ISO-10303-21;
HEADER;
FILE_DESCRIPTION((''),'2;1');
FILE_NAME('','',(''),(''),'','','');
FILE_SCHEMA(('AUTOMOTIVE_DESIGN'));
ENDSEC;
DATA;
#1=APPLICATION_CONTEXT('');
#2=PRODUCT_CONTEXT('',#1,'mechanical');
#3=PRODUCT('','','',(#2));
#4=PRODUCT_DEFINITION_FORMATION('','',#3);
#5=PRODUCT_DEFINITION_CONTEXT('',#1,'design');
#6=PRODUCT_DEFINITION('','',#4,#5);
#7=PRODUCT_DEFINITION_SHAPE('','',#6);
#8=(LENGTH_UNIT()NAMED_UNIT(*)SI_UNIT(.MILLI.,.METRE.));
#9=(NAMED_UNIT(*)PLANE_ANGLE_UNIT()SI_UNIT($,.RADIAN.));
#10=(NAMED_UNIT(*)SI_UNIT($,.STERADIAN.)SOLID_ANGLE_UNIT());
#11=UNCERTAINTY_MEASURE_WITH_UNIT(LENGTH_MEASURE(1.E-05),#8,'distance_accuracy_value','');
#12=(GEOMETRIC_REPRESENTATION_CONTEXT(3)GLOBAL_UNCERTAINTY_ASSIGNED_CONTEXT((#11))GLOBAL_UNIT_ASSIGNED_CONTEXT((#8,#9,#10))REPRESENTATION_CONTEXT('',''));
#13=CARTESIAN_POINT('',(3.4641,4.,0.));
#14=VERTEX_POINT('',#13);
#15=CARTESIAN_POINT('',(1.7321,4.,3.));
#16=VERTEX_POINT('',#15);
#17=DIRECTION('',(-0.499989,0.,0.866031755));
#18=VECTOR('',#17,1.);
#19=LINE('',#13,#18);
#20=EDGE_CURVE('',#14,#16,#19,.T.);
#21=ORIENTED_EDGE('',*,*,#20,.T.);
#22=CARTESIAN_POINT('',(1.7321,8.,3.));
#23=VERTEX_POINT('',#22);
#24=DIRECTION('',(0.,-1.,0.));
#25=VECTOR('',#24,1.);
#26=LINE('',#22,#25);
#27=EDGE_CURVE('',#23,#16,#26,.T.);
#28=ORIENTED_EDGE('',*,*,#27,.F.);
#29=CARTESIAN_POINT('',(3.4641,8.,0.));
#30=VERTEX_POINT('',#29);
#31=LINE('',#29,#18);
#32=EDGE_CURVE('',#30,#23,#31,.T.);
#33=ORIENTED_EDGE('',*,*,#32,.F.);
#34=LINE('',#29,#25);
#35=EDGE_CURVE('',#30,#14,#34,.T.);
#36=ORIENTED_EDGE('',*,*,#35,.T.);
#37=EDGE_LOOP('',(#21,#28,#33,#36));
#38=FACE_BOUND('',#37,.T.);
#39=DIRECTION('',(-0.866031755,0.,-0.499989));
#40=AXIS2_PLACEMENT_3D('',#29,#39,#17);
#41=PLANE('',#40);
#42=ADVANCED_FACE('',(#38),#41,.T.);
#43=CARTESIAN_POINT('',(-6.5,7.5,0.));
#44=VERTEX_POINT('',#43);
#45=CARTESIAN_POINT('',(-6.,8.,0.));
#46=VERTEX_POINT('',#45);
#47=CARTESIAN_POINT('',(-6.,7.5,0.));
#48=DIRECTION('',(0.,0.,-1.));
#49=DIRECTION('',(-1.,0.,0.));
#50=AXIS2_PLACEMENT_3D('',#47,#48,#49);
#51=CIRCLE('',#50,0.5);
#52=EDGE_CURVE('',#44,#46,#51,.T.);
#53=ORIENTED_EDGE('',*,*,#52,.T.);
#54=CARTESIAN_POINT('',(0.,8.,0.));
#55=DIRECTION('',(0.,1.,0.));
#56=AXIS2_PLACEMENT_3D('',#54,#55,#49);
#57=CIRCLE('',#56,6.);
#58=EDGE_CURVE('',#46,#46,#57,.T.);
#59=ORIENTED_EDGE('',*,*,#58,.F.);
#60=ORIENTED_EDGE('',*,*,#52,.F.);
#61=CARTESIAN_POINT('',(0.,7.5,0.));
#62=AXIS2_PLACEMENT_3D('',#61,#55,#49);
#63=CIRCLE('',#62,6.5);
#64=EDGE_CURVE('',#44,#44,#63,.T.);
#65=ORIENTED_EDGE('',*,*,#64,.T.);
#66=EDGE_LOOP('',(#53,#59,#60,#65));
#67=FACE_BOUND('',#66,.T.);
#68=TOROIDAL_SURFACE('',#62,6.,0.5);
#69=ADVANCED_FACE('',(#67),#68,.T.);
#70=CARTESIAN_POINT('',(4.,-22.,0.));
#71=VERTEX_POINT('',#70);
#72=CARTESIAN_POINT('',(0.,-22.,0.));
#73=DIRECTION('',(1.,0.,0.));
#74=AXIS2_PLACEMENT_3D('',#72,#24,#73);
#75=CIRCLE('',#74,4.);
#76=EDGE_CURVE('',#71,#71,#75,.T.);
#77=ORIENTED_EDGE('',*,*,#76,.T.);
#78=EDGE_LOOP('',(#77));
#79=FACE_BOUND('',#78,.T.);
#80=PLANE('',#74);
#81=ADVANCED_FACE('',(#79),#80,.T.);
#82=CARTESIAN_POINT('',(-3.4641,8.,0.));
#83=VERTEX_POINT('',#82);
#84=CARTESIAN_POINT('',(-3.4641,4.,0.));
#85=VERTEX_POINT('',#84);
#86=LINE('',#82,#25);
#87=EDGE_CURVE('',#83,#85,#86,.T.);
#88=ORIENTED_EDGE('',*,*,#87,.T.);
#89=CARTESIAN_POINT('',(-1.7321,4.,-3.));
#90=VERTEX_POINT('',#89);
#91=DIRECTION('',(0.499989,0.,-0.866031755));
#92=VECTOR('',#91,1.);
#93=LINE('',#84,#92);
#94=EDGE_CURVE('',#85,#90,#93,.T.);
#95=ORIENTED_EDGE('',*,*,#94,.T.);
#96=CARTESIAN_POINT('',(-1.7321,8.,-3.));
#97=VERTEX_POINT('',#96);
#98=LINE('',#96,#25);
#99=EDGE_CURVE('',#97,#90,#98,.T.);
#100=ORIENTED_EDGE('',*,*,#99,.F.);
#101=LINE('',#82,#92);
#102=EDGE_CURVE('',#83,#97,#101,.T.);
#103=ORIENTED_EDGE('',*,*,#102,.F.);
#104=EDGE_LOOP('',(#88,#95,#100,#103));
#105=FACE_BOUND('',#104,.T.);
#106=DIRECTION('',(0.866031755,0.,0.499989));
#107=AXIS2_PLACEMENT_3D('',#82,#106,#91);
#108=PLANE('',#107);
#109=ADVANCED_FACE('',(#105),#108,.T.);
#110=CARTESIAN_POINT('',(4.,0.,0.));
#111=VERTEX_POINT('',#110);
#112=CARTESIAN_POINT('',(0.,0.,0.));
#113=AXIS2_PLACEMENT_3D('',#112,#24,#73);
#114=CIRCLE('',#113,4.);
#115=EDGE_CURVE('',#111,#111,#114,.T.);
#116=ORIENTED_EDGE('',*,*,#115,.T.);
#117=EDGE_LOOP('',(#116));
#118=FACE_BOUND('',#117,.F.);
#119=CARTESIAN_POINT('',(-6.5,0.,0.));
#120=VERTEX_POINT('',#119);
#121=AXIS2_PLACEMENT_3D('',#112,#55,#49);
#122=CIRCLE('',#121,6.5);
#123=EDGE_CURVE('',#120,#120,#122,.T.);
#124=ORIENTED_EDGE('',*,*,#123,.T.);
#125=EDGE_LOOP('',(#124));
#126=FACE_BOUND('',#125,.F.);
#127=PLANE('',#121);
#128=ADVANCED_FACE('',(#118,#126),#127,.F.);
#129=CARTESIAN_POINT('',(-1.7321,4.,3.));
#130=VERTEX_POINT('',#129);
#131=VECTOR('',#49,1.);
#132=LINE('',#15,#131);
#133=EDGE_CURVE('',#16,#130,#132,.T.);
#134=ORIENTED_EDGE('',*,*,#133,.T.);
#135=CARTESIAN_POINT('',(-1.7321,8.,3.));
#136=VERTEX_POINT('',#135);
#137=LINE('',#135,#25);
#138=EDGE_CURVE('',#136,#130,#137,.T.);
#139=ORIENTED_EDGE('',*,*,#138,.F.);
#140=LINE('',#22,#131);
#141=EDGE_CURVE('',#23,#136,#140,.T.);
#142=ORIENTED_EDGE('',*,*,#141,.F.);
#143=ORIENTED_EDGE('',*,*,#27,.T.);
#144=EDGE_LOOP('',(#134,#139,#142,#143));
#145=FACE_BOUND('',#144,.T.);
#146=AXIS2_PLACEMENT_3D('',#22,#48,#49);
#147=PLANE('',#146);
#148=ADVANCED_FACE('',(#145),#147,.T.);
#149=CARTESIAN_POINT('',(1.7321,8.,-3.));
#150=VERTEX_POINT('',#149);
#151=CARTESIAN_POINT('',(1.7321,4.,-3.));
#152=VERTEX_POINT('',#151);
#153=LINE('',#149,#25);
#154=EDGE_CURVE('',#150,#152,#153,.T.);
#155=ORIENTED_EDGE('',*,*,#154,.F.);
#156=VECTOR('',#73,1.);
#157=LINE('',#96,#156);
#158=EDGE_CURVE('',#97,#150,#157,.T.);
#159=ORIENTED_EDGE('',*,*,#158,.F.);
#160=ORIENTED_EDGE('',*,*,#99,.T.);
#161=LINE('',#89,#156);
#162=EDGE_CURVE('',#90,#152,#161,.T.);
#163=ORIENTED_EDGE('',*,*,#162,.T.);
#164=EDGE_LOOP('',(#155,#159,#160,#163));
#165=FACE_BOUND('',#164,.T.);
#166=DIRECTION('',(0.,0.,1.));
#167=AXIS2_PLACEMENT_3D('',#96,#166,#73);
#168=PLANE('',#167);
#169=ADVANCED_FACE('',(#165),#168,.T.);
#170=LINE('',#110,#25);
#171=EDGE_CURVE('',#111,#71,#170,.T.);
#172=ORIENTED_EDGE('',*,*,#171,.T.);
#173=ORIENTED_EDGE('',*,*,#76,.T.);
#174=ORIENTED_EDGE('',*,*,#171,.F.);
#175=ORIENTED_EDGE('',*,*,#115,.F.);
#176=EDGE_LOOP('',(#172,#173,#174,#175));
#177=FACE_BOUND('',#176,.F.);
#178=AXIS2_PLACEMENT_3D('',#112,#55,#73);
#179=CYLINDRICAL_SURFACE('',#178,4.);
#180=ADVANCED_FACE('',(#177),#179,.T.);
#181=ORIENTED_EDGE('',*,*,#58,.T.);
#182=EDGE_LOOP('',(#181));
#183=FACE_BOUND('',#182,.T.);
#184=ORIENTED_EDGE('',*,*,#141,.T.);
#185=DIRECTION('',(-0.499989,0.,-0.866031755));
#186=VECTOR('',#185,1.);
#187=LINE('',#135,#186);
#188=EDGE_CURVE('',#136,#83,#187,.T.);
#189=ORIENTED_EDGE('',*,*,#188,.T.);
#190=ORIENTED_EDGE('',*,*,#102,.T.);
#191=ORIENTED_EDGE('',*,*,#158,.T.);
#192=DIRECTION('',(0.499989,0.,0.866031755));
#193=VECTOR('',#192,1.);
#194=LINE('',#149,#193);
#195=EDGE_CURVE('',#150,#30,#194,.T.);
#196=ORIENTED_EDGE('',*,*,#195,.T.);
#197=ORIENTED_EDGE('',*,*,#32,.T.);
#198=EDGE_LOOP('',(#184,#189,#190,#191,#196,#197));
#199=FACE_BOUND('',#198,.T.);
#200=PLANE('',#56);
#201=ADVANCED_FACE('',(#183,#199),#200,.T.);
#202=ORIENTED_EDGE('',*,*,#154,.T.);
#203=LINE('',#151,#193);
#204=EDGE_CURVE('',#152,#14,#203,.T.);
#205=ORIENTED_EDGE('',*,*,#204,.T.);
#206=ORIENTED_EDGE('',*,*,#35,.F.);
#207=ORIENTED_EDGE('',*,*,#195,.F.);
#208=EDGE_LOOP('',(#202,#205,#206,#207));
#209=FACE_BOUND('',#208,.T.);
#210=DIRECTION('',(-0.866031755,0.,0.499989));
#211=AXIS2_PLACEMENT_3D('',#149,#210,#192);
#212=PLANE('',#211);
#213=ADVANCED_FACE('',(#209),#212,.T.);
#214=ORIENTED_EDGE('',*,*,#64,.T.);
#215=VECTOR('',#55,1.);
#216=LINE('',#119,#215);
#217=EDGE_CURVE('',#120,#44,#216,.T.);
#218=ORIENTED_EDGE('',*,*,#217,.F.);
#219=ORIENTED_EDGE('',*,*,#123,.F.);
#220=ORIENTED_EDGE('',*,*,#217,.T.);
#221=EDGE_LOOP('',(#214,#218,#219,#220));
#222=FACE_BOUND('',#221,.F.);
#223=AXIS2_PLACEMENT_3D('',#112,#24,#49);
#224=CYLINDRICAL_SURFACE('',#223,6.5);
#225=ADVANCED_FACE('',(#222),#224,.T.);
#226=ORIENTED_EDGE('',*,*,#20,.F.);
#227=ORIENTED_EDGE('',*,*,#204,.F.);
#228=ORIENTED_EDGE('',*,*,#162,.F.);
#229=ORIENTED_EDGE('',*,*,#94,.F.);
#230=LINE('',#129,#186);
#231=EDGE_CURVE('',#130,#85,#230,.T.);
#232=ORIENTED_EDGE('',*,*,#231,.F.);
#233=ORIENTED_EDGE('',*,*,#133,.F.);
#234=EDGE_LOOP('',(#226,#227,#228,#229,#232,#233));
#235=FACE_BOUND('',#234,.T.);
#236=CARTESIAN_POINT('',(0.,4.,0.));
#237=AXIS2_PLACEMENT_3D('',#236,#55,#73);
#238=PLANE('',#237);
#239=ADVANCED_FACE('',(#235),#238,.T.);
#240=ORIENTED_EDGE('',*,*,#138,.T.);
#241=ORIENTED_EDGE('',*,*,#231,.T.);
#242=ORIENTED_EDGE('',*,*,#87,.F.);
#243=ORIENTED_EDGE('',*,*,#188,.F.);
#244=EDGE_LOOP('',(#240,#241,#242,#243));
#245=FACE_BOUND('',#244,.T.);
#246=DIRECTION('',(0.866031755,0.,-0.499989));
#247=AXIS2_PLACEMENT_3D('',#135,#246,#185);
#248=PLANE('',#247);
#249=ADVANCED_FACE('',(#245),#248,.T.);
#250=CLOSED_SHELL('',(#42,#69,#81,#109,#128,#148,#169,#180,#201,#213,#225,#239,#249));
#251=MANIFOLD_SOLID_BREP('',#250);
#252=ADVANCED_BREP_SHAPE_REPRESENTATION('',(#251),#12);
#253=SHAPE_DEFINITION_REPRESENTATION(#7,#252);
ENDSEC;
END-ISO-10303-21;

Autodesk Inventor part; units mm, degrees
ref_plane "YZ Plane" through (0, 0, 0) normal (1, 0, 0) x (0, 1, 0)
ref_plane "XZ Plane" through (0, 0, 0) normal (0, 1, 0) x (-1, 0, 0)
ref_plane "XY Plane" through (0, 0, 0) normal (0, 0, 1) x (1, 0, 0)
sketch "Cap Cross Section" plane through (0, 0, 0) normal (0, 1, 0) x (-1, 0, 0)
  circle A0 centre (0, 0) radius 6.5
  dimension "d0" = 13
extrude "Cap" add sketch "Cap Cross Section" along normal blind 8
sketch "Key Socket Cutout Outline" plane through (0, 8, 0) normal (0, 1, 0) x (1, 0, 0)
  line L0 (1.7321, 3) -> (3.4641, 0)
  line L1 (3.4641, 0) -> (1.7321, -3)
  line L2 (1.7321, -3) -> (-1.7321, -3)
  line L3 (-1.7321, -3) -> (-3.4641, 0)
  line L4 (-3.4641, 0) -> (-1.7321, 3)
  line L5 (-1.7321, 3) -> (1.7321, 3)
  point P0 (0, 0)
  point P1 (0, 0)
  dimension "d3" = 6
extrude "Key Socket Cutout" cut sketch "Key Socket Cutout Outline" against normal blind 4
sketch "Body Cross Section" plane through (0, 0, 0) normal (0, -1, 0) x (1, 0, 0)
  circle A0 centre (0, 0) radius 4
  dimension "d6" = 8
extrude "Body" add sketch "Body Cross Section" along normal blind 22
thread "Thread" size "M8x1.25" class "6g" standard "ANSI Metric M Profile" full length
fillet "Cap Fillet" radius 0.5 1 edges at (6.5, 8, 0)
properties part number "SSCF-M8-22-A4" material "Stainless Steel AISI 317"
